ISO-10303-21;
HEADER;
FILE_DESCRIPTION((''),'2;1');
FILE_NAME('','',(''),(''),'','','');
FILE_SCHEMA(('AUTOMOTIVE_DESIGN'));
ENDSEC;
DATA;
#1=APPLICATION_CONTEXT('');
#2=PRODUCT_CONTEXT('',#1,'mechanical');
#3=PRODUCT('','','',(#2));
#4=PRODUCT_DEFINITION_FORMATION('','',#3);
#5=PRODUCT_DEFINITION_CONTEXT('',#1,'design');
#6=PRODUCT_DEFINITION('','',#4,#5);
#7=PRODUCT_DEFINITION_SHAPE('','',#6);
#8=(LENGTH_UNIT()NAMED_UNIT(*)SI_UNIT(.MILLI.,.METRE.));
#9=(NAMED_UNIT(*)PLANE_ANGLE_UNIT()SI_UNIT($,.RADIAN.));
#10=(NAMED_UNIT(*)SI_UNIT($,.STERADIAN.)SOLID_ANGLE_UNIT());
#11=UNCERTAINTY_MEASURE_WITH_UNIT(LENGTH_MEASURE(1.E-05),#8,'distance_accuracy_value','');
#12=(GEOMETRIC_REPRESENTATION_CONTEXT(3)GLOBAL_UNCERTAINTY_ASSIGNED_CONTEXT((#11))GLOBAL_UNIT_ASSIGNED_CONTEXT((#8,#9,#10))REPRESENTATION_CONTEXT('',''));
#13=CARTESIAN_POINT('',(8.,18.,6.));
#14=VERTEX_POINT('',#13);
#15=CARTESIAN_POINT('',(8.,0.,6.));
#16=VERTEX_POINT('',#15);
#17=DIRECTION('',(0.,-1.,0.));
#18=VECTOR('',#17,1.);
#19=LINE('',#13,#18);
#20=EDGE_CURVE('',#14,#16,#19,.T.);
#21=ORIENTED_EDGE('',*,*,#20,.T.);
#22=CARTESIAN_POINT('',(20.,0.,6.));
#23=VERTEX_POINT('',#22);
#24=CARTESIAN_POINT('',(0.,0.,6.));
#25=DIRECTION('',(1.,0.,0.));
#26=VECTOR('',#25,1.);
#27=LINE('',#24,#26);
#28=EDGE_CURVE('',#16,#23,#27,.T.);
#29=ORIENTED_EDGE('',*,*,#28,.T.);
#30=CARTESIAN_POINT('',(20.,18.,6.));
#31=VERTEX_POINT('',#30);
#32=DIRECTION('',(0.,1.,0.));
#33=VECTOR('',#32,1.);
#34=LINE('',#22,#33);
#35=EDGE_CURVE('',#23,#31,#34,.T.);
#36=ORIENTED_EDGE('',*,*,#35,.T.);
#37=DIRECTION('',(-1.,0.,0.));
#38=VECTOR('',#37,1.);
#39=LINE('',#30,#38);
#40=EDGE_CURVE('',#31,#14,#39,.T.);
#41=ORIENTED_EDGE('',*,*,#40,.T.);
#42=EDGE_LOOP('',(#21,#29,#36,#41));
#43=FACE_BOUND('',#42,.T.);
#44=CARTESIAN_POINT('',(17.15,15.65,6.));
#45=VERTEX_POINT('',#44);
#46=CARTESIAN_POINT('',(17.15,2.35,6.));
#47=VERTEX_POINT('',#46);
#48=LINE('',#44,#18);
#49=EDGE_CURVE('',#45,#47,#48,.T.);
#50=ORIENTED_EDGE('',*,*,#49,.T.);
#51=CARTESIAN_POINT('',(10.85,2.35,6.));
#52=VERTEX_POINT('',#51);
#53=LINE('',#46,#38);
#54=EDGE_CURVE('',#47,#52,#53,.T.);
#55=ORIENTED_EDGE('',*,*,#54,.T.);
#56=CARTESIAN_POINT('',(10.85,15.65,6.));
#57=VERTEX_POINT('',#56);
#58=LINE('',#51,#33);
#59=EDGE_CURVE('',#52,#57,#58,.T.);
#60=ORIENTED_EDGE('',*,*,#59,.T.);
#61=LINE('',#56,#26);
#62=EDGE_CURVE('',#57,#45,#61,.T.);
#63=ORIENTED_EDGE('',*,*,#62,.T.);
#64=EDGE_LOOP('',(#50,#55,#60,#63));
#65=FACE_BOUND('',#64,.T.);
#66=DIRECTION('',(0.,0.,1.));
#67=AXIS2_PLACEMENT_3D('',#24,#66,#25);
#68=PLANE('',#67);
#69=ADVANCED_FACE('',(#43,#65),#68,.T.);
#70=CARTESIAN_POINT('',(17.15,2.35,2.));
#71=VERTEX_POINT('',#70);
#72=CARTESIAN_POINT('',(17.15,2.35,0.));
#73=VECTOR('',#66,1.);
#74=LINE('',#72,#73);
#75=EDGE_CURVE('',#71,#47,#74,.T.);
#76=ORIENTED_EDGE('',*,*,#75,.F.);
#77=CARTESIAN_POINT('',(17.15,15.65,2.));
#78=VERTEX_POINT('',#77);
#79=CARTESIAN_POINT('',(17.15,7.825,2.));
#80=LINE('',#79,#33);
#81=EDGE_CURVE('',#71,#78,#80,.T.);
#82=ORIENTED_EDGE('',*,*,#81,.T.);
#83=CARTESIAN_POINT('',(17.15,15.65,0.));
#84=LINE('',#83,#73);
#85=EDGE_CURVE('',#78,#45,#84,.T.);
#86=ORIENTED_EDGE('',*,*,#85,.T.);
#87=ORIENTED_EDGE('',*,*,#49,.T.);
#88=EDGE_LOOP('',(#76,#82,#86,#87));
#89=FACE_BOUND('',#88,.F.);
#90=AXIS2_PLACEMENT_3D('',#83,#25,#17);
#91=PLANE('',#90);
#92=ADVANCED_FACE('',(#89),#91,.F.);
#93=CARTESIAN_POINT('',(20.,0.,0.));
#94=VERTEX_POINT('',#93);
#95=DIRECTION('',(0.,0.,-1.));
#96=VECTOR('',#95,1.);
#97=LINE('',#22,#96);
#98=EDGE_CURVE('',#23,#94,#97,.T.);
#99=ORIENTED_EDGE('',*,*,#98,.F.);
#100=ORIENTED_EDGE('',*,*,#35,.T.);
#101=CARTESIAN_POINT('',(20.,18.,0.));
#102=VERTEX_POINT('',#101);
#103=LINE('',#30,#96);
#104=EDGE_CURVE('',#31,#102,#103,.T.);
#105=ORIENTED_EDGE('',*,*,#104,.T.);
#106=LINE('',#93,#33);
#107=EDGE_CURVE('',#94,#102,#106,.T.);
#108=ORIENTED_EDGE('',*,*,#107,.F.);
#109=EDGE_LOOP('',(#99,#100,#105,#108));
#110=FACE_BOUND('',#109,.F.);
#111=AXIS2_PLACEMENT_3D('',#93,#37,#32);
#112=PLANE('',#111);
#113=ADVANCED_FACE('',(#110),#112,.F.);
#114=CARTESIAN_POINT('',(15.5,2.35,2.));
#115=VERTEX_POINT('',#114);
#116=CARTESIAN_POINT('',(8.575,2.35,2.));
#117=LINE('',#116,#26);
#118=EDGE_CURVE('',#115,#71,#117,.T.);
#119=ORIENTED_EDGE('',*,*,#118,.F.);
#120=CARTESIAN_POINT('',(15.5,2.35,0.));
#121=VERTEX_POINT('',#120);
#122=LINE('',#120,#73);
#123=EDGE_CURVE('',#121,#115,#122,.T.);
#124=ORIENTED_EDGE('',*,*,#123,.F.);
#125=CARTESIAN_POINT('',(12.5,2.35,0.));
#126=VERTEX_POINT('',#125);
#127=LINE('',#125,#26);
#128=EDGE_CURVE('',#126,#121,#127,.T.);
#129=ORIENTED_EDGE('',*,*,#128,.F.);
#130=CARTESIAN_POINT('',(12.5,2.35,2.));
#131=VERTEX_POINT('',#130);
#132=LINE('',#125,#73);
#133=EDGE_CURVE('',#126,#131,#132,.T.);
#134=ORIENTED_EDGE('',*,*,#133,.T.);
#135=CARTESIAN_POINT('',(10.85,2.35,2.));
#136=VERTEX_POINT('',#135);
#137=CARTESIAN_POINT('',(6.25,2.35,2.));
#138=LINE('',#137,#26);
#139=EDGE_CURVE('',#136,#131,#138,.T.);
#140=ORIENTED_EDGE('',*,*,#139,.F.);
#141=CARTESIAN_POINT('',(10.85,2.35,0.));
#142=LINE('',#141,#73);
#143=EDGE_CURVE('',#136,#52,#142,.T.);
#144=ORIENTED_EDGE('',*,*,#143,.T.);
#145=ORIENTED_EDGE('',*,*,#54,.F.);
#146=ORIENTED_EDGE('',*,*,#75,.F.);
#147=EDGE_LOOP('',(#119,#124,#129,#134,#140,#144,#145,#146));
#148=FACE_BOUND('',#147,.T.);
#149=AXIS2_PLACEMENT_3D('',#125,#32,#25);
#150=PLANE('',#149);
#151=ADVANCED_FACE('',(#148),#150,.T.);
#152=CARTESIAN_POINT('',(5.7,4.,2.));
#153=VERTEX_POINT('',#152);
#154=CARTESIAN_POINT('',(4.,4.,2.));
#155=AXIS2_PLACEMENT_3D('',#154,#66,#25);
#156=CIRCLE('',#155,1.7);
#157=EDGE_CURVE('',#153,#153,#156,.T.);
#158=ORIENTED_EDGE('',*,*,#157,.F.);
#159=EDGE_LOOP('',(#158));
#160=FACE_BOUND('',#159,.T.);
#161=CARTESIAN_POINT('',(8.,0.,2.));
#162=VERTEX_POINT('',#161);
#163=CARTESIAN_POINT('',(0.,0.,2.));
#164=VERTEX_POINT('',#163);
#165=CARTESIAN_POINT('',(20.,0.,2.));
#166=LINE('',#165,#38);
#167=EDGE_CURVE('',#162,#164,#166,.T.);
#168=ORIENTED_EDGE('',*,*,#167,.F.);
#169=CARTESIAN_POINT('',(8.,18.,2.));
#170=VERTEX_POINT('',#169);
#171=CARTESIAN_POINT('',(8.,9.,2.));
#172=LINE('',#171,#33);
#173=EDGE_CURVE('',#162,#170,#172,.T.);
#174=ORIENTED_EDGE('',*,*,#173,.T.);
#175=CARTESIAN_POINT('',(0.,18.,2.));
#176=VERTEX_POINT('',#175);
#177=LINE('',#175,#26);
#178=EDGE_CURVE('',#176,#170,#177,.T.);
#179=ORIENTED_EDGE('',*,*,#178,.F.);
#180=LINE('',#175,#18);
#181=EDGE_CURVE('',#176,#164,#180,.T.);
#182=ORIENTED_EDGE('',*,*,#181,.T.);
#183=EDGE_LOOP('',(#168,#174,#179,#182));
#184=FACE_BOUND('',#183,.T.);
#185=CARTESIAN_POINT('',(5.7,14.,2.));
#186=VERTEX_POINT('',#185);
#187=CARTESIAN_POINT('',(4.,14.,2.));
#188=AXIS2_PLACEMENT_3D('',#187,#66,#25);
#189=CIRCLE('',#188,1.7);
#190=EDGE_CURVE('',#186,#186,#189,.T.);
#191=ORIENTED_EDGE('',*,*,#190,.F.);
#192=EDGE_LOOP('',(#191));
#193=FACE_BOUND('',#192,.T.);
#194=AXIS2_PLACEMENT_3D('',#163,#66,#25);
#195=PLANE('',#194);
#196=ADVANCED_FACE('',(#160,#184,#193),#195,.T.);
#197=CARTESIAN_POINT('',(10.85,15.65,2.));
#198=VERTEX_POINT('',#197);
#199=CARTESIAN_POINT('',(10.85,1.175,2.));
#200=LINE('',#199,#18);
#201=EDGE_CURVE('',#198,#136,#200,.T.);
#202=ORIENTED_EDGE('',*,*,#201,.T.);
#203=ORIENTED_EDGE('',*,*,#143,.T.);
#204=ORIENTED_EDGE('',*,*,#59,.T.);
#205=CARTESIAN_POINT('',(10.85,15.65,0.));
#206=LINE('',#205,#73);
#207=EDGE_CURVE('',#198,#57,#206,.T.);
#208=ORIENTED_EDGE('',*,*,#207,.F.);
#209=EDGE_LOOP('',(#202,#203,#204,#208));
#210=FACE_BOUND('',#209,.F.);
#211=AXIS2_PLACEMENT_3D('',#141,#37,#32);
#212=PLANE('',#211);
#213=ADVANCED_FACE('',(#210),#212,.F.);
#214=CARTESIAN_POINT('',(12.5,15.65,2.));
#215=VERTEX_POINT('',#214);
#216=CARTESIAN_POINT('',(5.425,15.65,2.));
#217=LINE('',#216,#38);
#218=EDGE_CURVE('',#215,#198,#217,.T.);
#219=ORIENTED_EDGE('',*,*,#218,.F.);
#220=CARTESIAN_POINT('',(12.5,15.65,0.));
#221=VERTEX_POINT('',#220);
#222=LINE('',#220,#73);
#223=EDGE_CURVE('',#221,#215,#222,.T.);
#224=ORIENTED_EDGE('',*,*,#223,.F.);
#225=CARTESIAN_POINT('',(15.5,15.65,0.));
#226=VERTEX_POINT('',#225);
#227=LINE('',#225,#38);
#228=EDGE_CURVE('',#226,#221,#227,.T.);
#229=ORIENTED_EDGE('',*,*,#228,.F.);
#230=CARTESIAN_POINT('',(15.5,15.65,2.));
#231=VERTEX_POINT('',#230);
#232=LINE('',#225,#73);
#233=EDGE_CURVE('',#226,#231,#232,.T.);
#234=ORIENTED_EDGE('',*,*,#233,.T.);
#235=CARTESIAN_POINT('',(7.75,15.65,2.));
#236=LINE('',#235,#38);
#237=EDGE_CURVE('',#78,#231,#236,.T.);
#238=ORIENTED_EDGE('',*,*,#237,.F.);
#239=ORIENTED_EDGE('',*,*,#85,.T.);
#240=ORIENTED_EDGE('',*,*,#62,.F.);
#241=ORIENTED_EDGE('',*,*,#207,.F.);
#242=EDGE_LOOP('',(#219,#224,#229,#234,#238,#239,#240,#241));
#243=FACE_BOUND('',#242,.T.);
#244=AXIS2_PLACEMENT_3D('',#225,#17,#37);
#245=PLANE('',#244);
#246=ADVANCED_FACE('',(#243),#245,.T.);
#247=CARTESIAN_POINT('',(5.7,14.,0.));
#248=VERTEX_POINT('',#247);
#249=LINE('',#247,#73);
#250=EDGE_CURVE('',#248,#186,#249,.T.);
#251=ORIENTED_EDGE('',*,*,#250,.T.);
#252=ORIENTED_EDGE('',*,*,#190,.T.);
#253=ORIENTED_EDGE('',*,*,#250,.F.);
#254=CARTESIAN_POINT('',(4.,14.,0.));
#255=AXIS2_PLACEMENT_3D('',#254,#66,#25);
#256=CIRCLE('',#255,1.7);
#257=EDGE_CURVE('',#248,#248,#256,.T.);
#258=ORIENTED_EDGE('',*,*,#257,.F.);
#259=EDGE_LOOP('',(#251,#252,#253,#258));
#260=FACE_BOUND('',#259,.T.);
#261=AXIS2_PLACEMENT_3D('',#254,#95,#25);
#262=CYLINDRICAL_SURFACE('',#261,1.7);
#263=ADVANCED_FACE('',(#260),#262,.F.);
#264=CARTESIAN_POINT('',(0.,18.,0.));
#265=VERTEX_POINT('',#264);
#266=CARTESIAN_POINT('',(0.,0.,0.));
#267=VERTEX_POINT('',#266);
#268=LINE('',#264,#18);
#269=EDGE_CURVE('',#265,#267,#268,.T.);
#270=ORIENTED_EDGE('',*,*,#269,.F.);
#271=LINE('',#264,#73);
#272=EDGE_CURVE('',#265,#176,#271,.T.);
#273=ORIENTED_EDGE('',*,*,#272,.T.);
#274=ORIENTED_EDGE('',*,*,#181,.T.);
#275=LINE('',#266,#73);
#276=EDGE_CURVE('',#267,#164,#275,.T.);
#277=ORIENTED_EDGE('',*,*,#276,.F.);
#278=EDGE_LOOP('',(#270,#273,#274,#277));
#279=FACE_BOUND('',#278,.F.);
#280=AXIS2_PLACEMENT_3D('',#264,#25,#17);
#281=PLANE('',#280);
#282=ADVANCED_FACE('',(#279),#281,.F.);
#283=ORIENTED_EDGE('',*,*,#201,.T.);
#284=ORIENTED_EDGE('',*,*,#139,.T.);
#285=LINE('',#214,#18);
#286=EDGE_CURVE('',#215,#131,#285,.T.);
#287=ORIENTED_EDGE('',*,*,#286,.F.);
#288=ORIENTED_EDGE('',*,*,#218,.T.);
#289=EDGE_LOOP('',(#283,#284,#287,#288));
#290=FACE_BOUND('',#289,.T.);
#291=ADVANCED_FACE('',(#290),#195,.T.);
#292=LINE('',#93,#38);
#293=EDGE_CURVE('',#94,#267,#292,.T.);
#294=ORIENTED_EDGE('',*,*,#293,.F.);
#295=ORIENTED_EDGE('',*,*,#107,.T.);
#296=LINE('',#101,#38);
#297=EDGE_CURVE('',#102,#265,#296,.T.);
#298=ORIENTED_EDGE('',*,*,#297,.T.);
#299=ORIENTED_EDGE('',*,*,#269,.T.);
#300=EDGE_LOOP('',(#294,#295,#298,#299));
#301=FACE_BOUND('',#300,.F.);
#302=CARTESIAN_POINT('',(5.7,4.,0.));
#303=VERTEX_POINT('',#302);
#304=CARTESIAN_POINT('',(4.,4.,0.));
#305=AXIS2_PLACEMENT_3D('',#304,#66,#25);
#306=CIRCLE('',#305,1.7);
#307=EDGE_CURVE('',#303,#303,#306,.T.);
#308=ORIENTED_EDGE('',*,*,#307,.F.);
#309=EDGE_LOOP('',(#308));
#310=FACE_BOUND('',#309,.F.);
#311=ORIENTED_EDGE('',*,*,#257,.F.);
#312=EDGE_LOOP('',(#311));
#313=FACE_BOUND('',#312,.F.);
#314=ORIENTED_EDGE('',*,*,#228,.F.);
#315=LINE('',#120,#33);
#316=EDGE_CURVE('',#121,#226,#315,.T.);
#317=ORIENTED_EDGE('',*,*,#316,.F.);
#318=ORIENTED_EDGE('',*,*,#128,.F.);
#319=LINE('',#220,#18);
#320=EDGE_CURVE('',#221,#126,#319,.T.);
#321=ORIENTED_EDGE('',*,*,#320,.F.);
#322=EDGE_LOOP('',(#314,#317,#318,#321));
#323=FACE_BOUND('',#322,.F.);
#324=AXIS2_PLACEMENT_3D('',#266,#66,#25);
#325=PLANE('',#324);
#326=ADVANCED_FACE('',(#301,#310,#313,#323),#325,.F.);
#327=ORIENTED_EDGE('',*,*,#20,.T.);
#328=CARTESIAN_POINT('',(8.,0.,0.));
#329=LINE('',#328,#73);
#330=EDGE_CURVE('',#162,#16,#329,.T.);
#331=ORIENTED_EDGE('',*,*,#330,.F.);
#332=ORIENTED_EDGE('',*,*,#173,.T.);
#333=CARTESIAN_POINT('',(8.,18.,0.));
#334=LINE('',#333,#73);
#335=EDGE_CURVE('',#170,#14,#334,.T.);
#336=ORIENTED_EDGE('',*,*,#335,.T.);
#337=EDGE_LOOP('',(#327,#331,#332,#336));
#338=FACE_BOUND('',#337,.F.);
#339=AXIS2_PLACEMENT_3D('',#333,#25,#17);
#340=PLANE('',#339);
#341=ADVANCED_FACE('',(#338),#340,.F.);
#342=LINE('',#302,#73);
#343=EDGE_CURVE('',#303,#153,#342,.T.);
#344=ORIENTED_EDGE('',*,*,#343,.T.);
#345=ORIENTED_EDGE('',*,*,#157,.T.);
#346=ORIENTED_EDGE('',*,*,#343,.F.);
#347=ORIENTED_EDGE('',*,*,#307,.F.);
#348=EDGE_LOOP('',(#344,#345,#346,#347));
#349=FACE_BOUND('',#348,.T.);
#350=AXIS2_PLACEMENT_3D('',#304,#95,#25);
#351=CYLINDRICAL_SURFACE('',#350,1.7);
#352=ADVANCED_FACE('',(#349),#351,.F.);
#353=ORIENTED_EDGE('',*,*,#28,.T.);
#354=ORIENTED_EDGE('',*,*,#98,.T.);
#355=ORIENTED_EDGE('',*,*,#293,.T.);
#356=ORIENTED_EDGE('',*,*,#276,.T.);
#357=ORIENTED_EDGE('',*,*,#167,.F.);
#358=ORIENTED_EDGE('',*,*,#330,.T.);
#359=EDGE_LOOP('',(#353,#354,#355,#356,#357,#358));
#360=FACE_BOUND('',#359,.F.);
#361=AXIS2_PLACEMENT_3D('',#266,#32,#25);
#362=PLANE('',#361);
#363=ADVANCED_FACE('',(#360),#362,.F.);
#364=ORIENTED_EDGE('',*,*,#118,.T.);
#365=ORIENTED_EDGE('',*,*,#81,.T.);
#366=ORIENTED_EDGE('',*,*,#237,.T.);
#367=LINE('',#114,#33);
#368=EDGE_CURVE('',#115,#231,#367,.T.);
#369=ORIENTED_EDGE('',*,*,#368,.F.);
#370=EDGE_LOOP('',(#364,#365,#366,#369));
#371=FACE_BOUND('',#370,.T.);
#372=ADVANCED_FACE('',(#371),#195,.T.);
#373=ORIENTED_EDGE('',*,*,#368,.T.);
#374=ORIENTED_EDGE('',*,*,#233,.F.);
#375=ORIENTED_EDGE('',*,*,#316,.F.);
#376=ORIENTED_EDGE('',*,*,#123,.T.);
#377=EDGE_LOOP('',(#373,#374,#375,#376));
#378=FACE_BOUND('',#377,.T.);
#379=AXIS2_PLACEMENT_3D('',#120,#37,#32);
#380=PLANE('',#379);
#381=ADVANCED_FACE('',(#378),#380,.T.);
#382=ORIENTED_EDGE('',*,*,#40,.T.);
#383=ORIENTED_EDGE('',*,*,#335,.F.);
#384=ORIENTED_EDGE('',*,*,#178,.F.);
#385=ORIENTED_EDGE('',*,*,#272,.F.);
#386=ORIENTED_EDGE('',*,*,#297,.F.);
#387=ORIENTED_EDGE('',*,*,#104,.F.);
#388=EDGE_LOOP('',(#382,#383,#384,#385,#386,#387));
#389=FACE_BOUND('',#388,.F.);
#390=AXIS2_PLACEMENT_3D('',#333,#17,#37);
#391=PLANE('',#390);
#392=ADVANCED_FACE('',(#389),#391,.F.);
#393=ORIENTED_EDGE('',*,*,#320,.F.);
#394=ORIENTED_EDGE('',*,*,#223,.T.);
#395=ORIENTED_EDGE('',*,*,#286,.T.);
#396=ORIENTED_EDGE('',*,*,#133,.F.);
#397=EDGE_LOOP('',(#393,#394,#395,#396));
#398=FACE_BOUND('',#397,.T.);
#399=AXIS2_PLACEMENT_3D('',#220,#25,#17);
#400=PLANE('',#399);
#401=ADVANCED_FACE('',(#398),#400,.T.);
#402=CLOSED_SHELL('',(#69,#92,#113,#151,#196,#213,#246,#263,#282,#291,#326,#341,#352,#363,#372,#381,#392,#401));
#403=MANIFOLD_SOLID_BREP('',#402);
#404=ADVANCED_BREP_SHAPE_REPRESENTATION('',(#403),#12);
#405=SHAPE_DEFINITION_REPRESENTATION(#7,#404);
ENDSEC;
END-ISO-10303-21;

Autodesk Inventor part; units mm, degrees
ref_plane "YZ Plane" through (0, 0, 0) normal (1, 0, 0) x (0, 1, 0)
ref_plane "XZ Plane" through (0, 0, 0) normal (0, 1, 0) x (-1, 0, 0)
ref_plane "XY Plane" through (0, 0, 0) normal (0, 0, 1) x (1, 0, 0)
sketch "Sketch1" plane through (0, 0, 0) normal (0, 0, 1) x (1, 0, 0)
  line L0 (0, 0) -> (20, 0)
  line L1 (20, 0) -> (20, 18)
  line L2 (20, 18) -> (0, 18)
  line L3 (0, 18) -> (0, 0)
  line L4 (12.5, 2.35) -> (15.5, 2.35)
  line L5 (15.5, 2.35) -> (15.5, 15.65)
  line L6 (15.5, 15.65) -> (12.5, 15.65)
  line L7 (12.5, 15.65) -> (12.5, 2.35)
  circle A0 centre (4, 14) radius 1.7
  circle A1 centre (4, 4) radius 1.7
  line L8 (20, 18) -> (8, 18)
  line L9 (8, 18) -> (8, 0)
  line L10 (8, 0) -> (20, 0)
  line L11 (20, 0) -> (20, 18)
  line L12 (10.85, 15.65) -> (17.15, 15.65)
  line L13 (17.15, 15.65) -> (17.15, 2.35)
  line L14 (17.15, 2.35) -> (10.85, 2.35)
  line L15 (10.85, 2.35) -> (10.85, 15.65)
  point P0 (15.5, 9)
  point P1 (20, 9)
  point P2 (14, 15.65)
  point P3 (14, 18)
  point P4 (17.15, 9)
  point P5 (20, 9)
  point P6 (14, 15.65)
  dimension "d0" = 20
  dimension "d1" = 18
  dimension "d3" = 3
  dimension "d5" = 3.4
  dimension "d6" = 3.4
  dimension "d7" = 4
  dimension "d8" = 4
  dimension "d9" = 10
  dimension "d20" = 12
  dimension "d21" = 6.3
  dimension "d22" = 13.3
extrude "Extrusion1" add sketch "Sketch1" along normal blind 2 contours L3 L2 L9 L0 | L9 L2 L1 L0 | L14 L15 L12 L7 | L5 L12 L13 L14
extrude "Extrusion3" add sketch "Sketch1" along normal blind 6 contours L9 L2 L1 L0
properties part number "switch lever 2"
